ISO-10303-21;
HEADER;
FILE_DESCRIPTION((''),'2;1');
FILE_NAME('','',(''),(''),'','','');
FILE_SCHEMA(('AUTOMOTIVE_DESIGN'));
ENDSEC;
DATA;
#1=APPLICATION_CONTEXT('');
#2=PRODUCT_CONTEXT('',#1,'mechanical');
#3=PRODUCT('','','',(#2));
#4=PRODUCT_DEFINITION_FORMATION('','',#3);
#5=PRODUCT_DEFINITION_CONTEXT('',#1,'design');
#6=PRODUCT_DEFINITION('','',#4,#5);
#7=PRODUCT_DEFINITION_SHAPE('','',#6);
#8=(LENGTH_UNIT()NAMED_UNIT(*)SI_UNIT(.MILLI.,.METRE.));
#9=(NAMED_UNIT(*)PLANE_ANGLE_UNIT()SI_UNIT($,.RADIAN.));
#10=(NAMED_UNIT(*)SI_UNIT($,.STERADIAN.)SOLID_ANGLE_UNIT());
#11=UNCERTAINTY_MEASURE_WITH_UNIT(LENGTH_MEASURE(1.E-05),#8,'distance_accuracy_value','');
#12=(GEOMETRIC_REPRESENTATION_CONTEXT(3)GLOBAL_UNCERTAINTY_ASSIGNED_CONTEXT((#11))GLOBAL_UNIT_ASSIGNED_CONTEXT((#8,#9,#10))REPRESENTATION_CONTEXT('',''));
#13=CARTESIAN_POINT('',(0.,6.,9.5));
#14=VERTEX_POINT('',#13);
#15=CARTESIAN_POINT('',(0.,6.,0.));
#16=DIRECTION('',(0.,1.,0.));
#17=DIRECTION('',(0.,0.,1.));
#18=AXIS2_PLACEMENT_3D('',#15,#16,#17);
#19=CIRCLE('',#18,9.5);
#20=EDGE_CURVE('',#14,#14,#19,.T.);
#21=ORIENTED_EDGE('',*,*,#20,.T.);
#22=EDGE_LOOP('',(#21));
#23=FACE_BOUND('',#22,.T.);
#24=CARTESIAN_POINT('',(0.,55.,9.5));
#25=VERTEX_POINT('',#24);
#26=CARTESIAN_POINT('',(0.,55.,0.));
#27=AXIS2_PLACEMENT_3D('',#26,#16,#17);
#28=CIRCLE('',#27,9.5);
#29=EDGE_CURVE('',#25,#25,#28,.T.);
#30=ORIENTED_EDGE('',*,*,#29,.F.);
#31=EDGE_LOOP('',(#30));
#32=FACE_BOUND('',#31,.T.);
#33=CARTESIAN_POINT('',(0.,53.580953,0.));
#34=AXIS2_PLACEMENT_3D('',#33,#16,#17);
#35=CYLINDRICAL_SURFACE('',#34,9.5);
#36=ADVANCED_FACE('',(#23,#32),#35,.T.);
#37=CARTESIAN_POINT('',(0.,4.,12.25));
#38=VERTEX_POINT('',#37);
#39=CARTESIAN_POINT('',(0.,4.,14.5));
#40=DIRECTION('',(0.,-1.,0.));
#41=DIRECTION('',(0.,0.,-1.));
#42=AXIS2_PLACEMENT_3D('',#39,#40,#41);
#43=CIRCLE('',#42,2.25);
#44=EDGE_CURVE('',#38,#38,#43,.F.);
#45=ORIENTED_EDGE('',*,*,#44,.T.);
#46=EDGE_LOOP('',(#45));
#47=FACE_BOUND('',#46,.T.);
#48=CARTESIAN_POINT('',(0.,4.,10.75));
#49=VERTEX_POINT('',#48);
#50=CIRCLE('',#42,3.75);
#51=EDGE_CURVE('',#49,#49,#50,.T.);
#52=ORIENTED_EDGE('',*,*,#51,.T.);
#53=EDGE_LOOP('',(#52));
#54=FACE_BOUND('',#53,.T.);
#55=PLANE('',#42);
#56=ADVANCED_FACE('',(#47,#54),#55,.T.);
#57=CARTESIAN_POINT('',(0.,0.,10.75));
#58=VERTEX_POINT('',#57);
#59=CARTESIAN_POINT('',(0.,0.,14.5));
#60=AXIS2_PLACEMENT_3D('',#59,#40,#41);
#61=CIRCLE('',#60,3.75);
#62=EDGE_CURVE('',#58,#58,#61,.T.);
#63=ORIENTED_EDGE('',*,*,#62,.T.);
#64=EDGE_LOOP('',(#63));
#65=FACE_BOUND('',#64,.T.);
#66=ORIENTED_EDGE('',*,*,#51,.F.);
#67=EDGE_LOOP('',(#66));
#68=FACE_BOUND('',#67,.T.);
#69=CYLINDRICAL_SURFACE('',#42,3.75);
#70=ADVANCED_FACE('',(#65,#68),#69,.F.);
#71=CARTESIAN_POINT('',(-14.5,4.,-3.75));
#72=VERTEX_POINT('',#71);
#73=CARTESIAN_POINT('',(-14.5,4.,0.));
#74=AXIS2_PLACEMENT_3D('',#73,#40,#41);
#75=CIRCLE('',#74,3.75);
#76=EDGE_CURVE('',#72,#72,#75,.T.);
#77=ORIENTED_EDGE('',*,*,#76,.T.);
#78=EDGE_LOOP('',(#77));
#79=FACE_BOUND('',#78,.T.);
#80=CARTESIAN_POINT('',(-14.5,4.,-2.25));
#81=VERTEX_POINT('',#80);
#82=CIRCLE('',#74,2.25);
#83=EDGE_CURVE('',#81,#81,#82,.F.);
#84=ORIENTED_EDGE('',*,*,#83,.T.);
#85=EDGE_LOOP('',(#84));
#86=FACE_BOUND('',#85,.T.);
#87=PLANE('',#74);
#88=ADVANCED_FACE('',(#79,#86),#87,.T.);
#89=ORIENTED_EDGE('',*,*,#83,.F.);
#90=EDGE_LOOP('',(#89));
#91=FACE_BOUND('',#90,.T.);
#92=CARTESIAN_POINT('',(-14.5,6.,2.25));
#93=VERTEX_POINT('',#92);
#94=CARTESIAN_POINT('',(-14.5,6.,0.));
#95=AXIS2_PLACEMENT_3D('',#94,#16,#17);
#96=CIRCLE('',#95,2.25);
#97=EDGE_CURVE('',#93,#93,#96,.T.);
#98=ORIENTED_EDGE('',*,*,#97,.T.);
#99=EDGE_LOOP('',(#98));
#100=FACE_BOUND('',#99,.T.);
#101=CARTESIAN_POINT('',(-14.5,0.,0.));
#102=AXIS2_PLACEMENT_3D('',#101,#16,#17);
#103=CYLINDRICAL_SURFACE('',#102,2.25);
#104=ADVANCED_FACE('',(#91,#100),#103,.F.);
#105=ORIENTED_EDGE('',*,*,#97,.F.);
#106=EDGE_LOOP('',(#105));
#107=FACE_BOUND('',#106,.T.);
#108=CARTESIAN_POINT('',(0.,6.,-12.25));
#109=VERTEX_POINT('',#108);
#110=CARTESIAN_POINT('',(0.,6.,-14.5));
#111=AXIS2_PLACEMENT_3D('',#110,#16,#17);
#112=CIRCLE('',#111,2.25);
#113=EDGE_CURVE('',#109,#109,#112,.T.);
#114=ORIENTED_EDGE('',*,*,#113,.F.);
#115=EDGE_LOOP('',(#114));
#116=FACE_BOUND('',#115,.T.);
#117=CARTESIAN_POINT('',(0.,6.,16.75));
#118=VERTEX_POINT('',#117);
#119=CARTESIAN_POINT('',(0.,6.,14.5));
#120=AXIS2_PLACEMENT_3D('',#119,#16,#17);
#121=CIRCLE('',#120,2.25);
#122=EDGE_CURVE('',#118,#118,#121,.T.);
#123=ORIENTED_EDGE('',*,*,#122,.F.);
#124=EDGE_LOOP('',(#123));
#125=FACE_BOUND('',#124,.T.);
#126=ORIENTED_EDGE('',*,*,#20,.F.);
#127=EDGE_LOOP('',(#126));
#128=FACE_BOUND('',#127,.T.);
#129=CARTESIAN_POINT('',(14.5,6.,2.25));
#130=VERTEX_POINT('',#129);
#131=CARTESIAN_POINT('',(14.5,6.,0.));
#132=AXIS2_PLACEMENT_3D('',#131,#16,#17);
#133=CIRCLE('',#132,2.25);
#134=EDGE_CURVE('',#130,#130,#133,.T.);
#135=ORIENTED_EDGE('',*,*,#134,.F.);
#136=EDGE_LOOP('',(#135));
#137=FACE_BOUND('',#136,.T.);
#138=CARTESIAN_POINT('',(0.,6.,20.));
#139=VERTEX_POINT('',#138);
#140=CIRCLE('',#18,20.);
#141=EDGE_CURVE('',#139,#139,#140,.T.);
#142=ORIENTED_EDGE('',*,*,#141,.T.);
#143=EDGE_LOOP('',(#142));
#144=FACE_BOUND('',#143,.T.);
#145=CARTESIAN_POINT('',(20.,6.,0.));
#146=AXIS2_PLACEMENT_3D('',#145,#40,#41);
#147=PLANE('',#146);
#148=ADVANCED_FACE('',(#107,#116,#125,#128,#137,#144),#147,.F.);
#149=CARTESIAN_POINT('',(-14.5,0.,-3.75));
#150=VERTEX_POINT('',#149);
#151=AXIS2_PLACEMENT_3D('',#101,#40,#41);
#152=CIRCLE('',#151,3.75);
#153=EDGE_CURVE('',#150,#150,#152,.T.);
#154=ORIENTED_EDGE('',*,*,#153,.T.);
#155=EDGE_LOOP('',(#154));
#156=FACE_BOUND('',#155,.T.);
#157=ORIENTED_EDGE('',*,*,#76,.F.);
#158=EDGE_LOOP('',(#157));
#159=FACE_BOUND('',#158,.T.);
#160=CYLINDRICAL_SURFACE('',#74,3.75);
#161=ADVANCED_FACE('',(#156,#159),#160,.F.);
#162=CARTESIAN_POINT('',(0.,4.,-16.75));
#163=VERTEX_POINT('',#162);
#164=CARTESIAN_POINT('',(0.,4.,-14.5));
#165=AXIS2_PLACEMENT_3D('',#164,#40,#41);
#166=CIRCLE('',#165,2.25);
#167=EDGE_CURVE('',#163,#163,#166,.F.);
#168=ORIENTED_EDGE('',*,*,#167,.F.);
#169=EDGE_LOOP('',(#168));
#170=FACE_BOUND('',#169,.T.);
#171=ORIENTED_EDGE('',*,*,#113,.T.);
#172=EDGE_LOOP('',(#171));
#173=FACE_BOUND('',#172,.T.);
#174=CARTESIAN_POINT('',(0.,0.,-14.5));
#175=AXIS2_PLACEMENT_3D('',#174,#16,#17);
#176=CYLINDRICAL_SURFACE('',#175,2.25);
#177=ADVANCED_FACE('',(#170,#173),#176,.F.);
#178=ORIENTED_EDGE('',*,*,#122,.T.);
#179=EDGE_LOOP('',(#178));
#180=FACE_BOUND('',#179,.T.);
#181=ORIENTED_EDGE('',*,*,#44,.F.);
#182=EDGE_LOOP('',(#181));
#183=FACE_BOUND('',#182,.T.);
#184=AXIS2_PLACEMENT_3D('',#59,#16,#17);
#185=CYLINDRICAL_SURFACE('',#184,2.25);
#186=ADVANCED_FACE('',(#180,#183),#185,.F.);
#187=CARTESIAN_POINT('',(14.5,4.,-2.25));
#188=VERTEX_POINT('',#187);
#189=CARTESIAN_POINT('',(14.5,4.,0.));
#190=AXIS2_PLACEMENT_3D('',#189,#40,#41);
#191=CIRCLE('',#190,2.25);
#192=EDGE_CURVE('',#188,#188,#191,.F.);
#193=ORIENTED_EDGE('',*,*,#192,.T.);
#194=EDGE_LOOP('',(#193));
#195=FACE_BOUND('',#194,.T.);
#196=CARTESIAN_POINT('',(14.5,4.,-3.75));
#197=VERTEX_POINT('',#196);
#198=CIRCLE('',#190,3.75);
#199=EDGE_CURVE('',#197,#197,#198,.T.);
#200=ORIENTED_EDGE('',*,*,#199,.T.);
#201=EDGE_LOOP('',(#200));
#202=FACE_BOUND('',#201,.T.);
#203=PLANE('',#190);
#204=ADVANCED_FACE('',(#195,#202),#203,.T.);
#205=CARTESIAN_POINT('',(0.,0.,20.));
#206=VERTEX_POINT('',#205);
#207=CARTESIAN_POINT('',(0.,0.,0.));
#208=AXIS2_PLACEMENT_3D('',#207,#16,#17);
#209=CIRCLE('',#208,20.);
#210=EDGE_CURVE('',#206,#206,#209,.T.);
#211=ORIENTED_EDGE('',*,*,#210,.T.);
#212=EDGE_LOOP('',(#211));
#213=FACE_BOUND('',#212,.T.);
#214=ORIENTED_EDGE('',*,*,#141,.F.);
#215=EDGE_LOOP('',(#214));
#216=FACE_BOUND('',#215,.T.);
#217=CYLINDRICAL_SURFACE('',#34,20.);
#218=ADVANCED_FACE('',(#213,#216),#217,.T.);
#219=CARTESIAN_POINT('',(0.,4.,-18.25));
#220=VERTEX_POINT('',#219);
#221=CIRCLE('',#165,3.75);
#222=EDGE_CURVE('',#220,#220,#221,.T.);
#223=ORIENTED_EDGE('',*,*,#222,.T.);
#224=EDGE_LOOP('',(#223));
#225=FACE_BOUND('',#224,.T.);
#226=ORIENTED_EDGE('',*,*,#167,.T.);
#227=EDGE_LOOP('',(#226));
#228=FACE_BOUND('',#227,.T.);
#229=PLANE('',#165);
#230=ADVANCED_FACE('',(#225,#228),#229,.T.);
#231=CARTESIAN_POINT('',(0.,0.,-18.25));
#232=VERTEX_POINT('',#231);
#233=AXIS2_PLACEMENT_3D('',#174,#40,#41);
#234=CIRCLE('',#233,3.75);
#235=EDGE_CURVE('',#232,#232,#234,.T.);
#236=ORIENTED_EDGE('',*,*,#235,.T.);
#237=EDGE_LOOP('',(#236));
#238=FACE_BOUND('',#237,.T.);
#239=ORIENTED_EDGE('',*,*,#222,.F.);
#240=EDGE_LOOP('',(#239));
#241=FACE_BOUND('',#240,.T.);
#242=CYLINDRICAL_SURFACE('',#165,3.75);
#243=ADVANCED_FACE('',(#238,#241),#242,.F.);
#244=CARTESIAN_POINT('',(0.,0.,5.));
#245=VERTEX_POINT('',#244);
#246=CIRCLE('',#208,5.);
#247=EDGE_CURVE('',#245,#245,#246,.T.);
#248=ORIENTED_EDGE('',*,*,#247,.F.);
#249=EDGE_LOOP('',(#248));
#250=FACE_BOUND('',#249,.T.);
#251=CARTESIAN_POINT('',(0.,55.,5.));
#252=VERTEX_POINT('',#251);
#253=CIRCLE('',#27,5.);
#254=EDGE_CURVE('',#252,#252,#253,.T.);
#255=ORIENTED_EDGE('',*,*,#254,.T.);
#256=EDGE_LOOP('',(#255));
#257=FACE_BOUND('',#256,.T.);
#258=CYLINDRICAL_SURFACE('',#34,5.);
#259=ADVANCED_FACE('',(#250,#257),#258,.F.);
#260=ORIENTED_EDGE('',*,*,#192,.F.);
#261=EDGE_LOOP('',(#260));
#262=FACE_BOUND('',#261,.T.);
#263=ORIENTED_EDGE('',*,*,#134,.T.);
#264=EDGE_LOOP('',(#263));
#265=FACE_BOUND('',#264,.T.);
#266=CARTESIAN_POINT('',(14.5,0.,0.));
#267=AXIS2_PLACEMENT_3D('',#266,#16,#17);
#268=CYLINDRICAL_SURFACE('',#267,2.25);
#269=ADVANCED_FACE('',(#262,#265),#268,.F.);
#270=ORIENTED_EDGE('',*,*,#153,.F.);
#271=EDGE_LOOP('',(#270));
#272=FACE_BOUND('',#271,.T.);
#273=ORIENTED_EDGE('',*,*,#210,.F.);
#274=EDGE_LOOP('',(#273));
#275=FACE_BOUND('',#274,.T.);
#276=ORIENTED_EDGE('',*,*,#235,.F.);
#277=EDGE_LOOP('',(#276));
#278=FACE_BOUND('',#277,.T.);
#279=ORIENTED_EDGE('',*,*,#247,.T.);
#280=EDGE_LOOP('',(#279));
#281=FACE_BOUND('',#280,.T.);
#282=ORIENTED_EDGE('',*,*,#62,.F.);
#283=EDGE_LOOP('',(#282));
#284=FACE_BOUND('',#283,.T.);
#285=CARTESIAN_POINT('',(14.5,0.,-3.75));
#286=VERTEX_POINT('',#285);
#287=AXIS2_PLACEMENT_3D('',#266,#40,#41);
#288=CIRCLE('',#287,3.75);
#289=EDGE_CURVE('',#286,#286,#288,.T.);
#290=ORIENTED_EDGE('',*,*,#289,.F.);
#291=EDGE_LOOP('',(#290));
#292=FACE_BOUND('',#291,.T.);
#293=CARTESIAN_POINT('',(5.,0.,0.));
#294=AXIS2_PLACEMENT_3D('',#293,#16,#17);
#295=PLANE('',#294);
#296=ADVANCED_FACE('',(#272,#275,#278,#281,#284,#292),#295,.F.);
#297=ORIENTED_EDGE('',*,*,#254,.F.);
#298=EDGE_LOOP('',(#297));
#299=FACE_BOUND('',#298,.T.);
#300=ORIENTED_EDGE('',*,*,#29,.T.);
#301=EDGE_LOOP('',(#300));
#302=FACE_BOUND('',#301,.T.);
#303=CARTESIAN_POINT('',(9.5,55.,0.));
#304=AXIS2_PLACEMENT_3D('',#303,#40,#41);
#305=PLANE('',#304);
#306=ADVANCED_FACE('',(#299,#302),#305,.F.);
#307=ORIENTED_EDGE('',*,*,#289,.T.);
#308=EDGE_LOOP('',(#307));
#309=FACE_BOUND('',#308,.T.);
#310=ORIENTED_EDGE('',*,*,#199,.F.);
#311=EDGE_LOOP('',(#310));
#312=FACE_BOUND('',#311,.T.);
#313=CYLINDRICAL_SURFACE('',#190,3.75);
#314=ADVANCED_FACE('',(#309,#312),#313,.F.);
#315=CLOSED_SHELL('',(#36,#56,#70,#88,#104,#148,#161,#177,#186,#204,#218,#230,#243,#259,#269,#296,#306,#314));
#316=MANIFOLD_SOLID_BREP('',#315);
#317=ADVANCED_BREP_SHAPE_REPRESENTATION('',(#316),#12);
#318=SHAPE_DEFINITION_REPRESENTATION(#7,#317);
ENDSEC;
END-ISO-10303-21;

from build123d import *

# Parameters (mm, degrees)
SKETCH_2_R          = 2.25
CUT_EXTRUDE_1_DEPTH = 57.577380639
SKETCH_3_R          = 3.75
CUT_EXTRUDE_2_DEPTH = 4


with BuildPart() as part:
    # Эскиз1 → Повернуть1 (revolve)
    with BuildSketch(Plane.XY, mode=Mode.PRIVATE) as revolve_1_sk:
        Polygon((5, 55), (5, 0), (20, 0), (20, 6), (9.5, 6), (9.5, 55), align=None)
    revolve(revolve_1_sk.sketch.rotate(Axis((0, 53.580953173, 0), (0, -1, 0)), 90), axis=Axis((0, 53.580953173, 0), (0, -1, 0)))

    # Эскиз2 → Вырез-Вытянуть1 (cut, through all)
    with BuildSketch(Plane(origin=(0, 6, 0), x_dir=(1, 0, 0), z_dir=(0, 1, 0))):
        with Locations(Location((14.5, 0, 0), (0, 0, 270))):
            Circle(SKETCH_2_R)
        with Locations(Location((0, -14.5, 0), (0, 0, 270))):
            Circle(SKETCH_2_R)
        with Locations(Location((-14.5, 0, 0), (0, 0, 270))):
            Circle(SKETCH_2_R)
        with Locations(Location((0, 14.5, 0), (0, 0, 270))):
            Circle(SKETCH_2_R)
    extrude(amount=-CUT_EXTRUDE_1_DEPTH, mode=Mode.SUBTRACT)

    # Эскиз3 → Вырез-Вытянуть2 (cut)
    with BuildSketch(Plane.XZ):
        with Locations(Location((-14.5, 0, 0), (0, 0, 270))):
            Circle(SKETCH_3_R)
        with Locations(Location((0, 14.5, 0), (0, 0, 270))):
            Circle(SKETCH_3_R)
        with Locations(Location((14.5, 0, 0), (0, 0, 270))):
            Circle(SKETCH_3_R)
        with Locations(Location((0, -14.5, 0), (0, 0, 270))):
            Circle(SKETCH_3_R)
    extrude(amount=-CUT_EXTRUDE_2_DEPTH, mode=Mode.SUBTRACT)


solid = part.part
